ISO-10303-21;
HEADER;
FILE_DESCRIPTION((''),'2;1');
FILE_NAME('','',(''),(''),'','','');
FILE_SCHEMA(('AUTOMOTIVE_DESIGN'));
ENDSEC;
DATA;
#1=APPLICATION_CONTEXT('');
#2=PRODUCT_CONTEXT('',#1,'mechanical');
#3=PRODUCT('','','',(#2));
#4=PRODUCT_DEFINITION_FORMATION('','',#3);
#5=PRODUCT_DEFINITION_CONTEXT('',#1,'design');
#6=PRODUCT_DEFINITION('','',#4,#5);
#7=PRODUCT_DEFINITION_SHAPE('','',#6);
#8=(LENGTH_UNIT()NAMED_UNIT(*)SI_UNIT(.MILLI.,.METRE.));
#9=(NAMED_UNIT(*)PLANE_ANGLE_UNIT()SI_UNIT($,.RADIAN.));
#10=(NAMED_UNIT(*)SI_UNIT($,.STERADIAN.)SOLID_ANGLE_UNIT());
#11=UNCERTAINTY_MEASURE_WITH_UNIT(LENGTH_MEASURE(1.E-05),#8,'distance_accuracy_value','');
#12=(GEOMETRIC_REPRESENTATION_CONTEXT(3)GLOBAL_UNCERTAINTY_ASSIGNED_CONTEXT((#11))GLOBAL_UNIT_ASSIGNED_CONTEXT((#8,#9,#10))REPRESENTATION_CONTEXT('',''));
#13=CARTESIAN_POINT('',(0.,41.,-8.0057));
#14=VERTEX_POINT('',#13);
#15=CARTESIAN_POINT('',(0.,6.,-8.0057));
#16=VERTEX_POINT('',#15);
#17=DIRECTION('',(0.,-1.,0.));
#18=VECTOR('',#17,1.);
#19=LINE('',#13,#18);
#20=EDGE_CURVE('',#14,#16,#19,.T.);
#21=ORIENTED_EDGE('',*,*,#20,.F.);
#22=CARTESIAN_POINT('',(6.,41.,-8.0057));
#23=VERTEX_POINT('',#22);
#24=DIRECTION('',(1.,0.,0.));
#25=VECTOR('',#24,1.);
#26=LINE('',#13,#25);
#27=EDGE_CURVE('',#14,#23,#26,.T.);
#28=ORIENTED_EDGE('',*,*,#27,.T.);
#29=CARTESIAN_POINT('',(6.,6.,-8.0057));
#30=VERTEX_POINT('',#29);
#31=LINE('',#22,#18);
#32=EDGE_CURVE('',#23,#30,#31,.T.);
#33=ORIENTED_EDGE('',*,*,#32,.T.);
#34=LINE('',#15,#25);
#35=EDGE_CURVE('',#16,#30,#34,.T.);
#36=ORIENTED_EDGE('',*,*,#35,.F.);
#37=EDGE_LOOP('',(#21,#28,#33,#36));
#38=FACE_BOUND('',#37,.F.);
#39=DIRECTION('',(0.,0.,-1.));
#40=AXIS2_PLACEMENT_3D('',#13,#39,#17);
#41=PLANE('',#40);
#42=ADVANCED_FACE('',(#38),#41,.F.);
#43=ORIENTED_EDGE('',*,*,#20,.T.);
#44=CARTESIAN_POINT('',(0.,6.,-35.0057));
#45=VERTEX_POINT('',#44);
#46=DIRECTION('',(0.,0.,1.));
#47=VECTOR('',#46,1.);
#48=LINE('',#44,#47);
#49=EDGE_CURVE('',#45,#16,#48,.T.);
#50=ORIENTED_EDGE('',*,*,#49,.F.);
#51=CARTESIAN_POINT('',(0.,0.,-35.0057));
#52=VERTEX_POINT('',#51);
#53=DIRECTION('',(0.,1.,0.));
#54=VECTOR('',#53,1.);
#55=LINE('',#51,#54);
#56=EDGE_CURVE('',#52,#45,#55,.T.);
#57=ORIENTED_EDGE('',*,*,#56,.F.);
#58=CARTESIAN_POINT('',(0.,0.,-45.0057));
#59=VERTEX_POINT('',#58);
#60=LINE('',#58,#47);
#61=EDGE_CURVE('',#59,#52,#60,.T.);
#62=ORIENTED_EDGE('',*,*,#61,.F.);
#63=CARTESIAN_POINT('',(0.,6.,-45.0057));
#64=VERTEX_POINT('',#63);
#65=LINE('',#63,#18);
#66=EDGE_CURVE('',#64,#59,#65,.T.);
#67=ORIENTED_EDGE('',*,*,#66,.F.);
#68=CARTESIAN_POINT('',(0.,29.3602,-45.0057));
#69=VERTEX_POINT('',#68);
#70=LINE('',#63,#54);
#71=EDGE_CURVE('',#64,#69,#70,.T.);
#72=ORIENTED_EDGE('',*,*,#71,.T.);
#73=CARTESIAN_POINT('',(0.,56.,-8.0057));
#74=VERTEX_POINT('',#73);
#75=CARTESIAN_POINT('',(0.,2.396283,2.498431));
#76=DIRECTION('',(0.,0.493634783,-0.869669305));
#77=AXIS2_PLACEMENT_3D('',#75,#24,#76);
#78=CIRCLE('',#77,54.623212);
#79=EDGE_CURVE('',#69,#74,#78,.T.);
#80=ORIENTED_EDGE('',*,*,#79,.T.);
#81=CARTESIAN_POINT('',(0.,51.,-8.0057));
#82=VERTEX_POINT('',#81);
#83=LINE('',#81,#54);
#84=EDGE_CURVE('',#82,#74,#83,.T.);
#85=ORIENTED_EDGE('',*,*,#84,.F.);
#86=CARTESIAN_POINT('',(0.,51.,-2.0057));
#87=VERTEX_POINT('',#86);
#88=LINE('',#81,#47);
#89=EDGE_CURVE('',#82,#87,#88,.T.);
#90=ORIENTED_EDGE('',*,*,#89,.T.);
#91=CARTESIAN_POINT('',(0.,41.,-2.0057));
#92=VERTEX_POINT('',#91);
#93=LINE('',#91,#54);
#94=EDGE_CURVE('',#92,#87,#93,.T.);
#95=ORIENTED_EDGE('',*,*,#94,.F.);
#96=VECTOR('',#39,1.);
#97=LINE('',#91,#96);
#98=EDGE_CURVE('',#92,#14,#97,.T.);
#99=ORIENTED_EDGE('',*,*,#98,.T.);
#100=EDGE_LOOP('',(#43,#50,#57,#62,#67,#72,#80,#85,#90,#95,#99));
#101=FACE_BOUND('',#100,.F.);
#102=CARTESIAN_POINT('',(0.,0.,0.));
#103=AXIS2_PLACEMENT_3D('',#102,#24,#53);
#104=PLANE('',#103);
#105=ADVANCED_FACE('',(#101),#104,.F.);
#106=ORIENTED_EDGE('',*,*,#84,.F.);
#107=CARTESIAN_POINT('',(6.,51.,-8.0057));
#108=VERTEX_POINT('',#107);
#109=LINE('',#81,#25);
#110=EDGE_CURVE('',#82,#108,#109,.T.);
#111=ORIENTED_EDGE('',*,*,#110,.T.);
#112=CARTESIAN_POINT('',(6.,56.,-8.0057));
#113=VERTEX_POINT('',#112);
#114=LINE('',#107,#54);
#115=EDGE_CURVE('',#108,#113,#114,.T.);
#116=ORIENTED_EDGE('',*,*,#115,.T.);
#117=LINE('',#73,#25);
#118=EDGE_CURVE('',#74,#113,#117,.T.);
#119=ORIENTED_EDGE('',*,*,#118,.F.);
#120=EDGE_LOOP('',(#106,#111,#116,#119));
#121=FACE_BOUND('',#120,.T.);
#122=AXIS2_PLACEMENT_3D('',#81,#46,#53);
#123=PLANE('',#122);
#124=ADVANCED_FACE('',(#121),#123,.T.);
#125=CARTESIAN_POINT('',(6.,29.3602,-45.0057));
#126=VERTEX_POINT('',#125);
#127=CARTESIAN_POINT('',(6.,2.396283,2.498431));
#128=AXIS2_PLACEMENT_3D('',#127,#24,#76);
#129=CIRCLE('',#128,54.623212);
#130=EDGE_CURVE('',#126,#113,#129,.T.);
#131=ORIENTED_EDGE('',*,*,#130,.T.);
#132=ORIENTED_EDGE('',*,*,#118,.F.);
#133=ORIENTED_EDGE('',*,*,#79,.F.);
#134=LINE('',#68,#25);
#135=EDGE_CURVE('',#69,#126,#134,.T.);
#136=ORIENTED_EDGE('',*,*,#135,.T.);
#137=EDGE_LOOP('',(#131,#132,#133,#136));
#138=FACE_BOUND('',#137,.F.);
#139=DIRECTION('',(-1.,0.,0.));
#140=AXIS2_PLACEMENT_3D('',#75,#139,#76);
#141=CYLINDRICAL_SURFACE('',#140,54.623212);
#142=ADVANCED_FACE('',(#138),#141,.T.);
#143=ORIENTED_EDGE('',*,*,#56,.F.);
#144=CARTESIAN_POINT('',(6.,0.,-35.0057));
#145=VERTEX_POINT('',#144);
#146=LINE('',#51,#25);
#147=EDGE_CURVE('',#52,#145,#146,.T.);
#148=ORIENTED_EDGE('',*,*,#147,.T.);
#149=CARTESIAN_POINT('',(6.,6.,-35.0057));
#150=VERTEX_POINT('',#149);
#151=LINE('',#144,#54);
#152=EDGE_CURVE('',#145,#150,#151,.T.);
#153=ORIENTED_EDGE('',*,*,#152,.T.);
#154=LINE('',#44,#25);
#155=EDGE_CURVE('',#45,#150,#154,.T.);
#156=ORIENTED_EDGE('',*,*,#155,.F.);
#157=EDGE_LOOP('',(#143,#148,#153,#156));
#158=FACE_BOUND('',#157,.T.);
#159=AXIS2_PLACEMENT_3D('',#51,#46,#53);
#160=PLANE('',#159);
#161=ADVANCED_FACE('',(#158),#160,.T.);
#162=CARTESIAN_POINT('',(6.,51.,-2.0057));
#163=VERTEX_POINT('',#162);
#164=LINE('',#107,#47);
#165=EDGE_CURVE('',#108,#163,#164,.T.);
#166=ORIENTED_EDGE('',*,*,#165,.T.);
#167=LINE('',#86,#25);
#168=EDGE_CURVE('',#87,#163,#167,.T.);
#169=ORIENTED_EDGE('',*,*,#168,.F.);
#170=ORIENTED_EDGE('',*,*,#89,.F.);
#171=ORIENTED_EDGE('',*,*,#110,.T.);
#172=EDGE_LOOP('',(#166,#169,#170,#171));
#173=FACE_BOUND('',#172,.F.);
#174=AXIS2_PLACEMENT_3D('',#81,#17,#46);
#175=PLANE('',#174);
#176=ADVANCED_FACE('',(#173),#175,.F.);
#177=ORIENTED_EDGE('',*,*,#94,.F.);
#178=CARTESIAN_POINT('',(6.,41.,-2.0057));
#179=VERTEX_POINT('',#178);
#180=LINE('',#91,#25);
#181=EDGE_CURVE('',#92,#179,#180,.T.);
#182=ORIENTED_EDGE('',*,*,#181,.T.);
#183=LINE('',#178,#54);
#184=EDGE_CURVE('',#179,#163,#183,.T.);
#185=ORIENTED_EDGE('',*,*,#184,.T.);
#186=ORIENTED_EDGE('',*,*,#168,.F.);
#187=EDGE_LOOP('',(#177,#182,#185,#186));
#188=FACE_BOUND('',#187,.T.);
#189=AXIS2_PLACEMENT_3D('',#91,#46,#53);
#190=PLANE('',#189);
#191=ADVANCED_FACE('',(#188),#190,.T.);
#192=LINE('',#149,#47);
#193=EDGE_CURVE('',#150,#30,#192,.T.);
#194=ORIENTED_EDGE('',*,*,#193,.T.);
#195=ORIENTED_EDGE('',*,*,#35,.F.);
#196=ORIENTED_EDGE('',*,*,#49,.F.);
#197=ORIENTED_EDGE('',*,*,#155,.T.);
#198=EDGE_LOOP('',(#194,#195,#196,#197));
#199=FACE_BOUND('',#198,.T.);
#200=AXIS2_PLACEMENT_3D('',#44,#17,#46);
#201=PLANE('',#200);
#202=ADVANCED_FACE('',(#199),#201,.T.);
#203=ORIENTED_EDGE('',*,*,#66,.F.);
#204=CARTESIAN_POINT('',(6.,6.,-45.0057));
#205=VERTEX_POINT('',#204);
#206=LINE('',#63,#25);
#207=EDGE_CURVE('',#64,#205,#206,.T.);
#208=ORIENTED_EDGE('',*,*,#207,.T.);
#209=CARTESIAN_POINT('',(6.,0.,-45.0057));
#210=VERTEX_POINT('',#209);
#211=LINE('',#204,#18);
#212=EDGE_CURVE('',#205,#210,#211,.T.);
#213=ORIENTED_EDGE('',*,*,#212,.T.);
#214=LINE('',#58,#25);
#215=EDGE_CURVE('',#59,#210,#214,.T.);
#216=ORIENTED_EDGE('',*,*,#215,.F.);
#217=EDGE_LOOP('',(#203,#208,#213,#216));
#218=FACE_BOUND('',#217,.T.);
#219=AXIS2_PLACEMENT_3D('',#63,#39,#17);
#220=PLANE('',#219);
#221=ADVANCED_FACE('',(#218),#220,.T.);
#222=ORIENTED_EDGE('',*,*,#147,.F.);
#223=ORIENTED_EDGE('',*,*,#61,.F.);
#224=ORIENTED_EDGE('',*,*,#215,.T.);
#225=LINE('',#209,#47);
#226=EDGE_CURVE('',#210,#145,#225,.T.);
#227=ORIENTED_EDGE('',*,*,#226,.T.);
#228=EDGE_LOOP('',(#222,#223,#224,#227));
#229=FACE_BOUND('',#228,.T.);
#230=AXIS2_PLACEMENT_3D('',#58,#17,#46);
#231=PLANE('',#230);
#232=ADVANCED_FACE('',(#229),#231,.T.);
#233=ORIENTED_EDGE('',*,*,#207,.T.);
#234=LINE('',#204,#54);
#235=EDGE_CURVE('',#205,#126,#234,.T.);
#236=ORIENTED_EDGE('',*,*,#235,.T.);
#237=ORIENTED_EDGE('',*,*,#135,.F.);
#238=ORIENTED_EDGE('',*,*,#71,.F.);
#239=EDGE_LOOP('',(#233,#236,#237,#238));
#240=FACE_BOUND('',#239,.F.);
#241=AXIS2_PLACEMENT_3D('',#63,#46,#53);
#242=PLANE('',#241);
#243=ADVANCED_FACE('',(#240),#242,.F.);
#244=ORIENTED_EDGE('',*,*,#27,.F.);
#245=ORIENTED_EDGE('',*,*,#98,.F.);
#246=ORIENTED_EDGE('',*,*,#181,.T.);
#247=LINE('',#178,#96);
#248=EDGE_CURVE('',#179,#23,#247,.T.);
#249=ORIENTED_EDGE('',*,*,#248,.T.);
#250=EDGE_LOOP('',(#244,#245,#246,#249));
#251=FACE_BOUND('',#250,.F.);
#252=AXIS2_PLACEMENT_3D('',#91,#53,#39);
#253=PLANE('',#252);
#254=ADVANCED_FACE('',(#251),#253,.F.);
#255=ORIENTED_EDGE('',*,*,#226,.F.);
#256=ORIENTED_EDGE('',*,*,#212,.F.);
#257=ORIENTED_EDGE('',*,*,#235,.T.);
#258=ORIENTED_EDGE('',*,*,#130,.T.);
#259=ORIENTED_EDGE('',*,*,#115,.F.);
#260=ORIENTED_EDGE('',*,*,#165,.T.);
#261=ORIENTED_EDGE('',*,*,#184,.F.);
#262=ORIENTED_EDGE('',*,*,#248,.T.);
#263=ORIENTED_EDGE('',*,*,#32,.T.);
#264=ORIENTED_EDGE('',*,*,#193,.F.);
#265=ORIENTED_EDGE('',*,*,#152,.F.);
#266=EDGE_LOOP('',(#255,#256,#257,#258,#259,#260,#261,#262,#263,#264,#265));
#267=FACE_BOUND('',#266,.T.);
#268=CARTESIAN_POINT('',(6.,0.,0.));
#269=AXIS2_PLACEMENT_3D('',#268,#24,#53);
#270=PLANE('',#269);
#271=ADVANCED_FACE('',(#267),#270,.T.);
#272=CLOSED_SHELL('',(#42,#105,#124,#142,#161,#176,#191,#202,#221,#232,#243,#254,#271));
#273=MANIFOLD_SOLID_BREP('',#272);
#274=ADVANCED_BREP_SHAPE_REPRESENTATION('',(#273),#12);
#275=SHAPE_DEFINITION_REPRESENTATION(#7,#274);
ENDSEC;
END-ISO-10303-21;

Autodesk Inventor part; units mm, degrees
ref_plane "YZ Plane" through (0, 0, 0) normal (1, 0, 0) x (0, 1, 0)
ref_plane "XZ Plane" through (0, 0, 0) normal (0, 1, 0) x (-1, 0, 0)
ref_plane "XY Plane" through (0, 0, 0) normal (0, 0, 1) x (1, 0, 0)
sketch "Esquisse1" plane through (0, 0, 0) normal (1, 0, 0) x (0, 1, 0)
  line L0 (41, -2.0057) -> (51, -2.0057)
  line L1 (0, -45.0057) -> (0, -35.0057)
  line L2 (51, -2.0057) -> (41, -2.0057)
  line L3 (41, -2.0057) -> (41, -8.0057)
  line L4 (51, -8.0057) -> (51, -2.0057)
  line L5 (0, -35.0057) -> (6, -35.0057)
  line L6 (6, -35.0057) -> (6, -8.0057)
  line L7 (6, -45.0057) -> (0, -45.0057)
  line L8 (41, -8.0057) -> (6, -8.0057)
  line L9 (51, -8.0057) -> (56, -8.0057)
  arc A0 (29.3602, -45.0057) -> (56, -8.0057) centre (2.3964, 2.4983) ccw
  line L10 (6, -45.0057) -> (29.3602, -45.0057)
  point P0 (0, 0)
  dimension "d2" = 35
  dimension "d3" = 33
  dimension "d4" = 6
  dimension "d6" = 10
  dimension "d10" = 10
  dimension "d11" = 6
extrude "Extrusion1" add sketch "Esquisse1" along normal blind 6
properties part number "latéral"
